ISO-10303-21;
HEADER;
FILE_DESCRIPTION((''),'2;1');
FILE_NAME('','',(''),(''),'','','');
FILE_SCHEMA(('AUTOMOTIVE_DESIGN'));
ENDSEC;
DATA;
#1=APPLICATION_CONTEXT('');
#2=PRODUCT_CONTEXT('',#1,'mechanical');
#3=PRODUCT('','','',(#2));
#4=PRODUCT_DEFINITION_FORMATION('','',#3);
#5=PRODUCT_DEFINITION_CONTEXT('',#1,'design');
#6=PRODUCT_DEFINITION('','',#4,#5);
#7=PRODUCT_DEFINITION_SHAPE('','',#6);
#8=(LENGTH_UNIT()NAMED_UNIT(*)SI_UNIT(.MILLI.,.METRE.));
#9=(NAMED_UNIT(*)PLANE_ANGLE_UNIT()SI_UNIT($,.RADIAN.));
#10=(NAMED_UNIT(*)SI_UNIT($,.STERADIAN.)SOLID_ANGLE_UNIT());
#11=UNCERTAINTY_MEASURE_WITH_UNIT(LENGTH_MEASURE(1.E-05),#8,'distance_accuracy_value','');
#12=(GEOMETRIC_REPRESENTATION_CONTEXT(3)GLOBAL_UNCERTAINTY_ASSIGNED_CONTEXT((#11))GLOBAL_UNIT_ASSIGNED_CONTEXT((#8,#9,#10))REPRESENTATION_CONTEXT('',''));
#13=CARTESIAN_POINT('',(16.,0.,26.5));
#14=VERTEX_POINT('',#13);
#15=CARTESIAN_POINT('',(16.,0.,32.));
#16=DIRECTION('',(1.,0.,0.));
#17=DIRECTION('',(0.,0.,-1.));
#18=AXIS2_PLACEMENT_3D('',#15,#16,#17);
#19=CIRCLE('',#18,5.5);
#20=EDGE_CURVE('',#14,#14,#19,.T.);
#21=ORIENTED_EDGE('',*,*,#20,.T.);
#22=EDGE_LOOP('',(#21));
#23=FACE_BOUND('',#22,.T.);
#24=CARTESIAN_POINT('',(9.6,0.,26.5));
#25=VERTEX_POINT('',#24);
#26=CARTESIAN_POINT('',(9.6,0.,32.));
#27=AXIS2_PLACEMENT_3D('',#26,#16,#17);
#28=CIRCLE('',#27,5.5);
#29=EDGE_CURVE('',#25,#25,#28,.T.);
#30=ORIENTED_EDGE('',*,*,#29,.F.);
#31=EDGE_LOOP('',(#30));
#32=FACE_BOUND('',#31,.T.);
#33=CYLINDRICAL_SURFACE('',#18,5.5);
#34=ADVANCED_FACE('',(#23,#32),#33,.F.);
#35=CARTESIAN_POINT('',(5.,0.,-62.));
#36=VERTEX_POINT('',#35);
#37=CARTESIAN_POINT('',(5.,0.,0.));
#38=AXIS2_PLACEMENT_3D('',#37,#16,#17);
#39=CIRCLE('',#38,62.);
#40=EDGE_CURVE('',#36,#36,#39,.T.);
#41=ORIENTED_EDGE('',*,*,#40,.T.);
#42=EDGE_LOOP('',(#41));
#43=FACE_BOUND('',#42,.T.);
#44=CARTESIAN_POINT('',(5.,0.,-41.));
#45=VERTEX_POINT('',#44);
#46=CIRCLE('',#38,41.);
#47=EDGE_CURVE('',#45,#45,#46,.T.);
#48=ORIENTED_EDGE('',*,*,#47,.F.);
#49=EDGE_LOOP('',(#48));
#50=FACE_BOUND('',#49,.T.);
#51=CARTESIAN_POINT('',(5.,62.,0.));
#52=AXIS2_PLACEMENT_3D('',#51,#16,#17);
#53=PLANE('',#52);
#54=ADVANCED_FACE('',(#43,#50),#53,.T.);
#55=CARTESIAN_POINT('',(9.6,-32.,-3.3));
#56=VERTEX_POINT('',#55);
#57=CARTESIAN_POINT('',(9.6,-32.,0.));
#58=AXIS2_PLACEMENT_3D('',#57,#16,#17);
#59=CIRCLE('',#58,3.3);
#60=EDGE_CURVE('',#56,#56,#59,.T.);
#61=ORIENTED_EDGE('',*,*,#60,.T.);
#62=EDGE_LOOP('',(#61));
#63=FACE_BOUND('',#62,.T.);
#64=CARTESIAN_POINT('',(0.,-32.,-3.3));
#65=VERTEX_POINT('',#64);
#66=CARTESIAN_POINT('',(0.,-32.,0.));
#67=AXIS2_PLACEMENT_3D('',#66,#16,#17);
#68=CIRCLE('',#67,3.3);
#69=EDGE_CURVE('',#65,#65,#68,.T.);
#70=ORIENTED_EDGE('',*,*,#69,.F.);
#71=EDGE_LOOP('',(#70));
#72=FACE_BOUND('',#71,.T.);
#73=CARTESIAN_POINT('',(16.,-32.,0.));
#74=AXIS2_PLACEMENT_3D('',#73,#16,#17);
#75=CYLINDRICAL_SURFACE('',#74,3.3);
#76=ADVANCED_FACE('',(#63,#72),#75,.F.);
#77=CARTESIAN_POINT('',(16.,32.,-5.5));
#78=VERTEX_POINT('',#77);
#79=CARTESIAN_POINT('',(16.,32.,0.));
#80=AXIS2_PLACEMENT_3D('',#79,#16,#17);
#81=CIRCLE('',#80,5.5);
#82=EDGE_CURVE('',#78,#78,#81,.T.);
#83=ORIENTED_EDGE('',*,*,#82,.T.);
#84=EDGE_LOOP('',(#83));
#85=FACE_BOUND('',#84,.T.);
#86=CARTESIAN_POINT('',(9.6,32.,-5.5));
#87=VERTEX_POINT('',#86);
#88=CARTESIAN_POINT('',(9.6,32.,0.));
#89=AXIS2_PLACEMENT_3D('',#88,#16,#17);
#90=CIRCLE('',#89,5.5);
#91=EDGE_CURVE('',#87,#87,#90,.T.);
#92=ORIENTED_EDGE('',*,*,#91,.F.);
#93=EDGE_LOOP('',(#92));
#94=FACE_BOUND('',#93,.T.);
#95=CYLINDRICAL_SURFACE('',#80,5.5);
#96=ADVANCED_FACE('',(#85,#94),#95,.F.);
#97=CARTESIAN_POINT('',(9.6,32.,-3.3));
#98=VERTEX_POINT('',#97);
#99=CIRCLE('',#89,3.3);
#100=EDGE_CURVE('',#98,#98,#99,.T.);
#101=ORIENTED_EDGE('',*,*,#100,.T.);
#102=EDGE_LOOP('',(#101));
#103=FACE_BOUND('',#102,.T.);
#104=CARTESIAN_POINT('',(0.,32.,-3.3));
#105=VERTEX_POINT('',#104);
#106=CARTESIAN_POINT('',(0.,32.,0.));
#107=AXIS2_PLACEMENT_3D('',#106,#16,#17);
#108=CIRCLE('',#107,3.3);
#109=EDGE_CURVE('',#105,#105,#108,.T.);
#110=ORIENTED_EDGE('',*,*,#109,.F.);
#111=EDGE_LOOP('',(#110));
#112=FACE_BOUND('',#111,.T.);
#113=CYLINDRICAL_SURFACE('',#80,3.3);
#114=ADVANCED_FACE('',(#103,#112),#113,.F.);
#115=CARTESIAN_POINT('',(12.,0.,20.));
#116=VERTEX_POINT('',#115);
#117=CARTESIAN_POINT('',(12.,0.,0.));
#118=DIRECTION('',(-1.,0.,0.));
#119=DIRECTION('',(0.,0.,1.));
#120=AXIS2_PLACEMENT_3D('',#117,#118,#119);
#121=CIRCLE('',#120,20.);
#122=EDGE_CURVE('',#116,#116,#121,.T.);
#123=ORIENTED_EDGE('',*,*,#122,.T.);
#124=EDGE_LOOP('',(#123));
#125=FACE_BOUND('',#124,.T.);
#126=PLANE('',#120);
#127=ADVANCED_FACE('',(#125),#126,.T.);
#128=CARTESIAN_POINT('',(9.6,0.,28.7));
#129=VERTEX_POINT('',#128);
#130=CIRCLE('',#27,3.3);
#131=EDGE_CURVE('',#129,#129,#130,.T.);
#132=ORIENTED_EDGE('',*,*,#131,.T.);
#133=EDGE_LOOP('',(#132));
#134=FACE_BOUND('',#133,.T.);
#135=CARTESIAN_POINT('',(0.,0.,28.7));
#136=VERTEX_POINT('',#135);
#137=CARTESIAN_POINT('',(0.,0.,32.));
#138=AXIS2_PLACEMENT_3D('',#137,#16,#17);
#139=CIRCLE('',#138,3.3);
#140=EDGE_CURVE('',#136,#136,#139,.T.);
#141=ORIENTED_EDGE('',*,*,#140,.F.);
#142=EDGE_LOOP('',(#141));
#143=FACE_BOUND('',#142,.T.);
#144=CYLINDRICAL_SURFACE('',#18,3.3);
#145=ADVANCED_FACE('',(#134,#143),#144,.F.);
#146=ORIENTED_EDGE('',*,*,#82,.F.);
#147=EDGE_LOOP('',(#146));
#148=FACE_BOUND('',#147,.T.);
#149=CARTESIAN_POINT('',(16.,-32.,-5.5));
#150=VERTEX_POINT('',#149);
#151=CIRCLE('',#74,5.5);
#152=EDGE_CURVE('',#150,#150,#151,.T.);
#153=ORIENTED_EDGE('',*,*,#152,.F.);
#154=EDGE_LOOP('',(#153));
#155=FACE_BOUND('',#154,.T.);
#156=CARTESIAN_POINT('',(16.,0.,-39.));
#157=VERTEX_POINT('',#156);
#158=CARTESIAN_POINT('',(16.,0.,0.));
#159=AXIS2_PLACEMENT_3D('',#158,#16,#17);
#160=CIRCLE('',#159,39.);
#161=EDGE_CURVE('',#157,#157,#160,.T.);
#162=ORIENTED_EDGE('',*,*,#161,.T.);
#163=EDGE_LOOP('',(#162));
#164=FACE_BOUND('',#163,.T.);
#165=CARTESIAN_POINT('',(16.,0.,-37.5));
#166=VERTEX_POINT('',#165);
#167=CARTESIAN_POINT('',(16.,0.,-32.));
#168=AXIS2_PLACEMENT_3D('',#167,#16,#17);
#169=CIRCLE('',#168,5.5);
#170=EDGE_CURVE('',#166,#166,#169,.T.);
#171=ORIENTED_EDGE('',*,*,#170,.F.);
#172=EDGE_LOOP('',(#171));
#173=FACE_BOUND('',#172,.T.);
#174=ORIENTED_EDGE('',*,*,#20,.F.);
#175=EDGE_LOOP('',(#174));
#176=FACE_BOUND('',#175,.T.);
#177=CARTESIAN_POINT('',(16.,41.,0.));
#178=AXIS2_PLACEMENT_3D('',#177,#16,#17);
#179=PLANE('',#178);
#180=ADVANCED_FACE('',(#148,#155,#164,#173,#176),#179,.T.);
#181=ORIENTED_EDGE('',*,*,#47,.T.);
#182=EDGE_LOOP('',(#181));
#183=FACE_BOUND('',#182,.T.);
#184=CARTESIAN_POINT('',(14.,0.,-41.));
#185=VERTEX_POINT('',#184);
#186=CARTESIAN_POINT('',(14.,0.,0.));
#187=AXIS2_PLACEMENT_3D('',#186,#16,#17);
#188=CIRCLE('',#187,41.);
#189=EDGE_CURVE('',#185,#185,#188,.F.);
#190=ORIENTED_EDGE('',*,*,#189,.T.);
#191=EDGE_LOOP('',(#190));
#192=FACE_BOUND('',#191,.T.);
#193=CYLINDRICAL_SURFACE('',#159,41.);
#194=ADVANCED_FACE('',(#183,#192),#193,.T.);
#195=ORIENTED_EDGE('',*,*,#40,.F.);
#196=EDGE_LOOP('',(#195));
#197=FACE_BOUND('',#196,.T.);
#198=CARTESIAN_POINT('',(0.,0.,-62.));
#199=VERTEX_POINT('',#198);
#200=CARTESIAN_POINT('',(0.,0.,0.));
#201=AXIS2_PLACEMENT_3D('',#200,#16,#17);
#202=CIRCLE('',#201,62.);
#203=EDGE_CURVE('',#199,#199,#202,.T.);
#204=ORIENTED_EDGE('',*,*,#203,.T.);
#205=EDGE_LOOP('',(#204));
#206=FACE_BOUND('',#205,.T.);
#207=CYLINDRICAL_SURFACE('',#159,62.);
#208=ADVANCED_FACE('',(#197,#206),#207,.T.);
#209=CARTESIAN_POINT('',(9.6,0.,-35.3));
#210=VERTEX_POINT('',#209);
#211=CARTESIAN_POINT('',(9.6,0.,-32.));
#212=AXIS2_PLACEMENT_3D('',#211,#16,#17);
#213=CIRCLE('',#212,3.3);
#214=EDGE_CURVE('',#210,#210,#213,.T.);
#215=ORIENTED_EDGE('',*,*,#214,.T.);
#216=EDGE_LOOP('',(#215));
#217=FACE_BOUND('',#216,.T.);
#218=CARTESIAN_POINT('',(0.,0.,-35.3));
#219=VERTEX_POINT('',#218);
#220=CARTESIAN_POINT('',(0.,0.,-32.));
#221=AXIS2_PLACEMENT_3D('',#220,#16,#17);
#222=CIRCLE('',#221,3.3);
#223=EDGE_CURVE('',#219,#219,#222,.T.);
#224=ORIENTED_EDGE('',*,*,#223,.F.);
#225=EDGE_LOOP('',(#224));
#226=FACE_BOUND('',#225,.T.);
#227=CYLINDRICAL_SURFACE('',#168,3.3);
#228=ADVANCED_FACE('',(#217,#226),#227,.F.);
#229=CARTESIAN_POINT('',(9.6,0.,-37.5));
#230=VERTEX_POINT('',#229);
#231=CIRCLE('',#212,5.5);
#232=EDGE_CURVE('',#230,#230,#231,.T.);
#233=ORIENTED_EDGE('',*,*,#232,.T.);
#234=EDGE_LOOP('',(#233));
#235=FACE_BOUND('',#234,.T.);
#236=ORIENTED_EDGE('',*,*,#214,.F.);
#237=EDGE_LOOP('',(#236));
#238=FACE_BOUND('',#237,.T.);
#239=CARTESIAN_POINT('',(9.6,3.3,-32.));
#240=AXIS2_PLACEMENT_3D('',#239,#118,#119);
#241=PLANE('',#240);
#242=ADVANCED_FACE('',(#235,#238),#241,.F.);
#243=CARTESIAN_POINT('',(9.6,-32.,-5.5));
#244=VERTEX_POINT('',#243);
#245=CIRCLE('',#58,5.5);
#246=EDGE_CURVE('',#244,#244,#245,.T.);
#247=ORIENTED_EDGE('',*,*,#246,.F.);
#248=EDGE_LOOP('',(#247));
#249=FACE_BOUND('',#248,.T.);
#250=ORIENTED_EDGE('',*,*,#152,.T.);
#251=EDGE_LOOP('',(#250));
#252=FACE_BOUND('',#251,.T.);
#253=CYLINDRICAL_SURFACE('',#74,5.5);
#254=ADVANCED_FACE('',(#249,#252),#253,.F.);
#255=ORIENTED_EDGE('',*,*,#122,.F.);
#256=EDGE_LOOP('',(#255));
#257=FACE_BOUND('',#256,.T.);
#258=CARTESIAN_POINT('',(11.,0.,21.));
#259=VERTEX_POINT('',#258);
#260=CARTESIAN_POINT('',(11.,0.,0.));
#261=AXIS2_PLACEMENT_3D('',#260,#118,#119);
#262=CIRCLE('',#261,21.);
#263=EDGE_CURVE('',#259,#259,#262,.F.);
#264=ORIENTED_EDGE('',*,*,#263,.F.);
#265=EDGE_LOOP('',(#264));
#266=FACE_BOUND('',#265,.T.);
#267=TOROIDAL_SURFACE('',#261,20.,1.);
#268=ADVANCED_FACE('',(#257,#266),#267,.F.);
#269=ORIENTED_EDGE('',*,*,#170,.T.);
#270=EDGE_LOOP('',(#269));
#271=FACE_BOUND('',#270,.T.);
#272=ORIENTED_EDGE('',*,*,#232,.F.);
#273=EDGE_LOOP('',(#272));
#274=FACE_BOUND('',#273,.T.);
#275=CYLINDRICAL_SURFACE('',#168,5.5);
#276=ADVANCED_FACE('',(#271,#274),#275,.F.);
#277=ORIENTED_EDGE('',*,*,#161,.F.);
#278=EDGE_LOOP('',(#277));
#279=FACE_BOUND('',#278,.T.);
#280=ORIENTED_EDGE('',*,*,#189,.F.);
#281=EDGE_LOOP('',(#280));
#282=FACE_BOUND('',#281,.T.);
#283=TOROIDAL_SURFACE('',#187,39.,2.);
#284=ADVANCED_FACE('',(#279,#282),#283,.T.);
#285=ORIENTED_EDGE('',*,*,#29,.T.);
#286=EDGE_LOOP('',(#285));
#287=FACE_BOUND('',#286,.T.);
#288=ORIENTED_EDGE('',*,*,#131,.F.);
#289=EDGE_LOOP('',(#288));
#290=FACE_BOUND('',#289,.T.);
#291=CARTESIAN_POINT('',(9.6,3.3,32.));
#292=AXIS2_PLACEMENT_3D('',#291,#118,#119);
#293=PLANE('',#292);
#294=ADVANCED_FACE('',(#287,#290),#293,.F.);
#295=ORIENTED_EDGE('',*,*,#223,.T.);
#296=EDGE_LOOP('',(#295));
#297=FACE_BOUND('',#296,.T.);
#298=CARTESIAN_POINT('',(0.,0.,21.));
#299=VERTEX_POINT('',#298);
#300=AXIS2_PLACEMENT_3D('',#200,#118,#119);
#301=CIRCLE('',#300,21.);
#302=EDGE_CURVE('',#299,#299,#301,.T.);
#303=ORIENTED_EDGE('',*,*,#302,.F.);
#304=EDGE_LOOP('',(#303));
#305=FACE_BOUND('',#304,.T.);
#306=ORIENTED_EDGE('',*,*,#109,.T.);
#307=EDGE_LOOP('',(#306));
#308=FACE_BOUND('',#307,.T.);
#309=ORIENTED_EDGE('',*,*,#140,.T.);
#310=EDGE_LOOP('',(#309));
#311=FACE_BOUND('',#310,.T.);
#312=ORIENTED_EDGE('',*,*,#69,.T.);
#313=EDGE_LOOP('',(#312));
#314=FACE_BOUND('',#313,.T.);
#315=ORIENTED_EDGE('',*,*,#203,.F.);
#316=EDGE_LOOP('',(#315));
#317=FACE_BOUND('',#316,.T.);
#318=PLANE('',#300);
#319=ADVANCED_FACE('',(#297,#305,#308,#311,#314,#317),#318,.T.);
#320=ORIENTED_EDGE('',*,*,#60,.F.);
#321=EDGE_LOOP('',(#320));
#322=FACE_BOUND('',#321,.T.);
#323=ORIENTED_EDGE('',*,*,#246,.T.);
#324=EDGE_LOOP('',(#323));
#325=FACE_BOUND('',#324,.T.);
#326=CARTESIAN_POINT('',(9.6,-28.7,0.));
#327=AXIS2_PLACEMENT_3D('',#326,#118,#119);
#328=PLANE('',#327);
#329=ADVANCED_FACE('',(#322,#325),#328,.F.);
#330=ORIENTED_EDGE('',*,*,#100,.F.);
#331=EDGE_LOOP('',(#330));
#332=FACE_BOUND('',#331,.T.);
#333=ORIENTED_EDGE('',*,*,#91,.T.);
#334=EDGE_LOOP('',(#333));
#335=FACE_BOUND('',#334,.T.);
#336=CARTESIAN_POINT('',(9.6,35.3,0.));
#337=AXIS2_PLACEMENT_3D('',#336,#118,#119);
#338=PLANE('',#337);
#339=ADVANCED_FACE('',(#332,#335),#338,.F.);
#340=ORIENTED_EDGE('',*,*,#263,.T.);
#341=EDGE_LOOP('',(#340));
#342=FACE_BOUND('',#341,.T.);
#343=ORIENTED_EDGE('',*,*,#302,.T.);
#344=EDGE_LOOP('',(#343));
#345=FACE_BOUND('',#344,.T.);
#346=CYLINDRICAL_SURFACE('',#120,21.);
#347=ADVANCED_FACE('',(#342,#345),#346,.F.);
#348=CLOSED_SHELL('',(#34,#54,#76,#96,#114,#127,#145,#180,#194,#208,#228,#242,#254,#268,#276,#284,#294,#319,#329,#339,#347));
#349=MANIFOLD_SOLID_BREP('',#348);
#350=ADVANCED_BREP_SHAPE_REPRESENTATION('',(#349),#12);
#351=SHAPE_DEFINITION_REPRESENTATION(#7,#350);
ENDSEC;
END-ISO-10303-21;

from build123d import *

# Parameters (mm, degrees)
SKETCH3_R                                           = 21
CUT_EXTRUDE1_DEPTH                                  = 12
FILLET1_R                                           = 1
FILLET2_R                                           = 2
CBORE_FOR_M6_HEX_SOCKET_HEAD_CAP_SCREW1_D           = 6.6
CBORE_FOR_M6_HEX_SOCKET_HEAD_CAP_SCREW1_CBORE_D     = 11
CBORE_FOR_M6_HEX_SOCKET_HEAD_CAP_SCREW1_CBORE_DEPTH = 6.4


with BuildPart() as part:
    # Sketch1 → Revolve1 (revolve)
    with BuildSketch(Plane.XY, mode=Mode.PRIVATE) as revolve1_sk:
        Polygon((0, 0), (0, 62), (5, 62), (5, 41), (16, 41), (16, 0), align=None)
    revolve(revolve1_sk.sketch.rotate(Axis((16, 0, 0), (-1, 0, 0)), 90), axis=Axis((16, 0, 0), (-1, 0, 0)))

    # Sketch3 → Cut-Extrude1 (cut)
    with BuildSketch(Plane.ZY):
        Circle(SKETCH3_R)
    extrude(amount=-CUT_EXTRUDE1_DEPTH, mode=Mode.SUBTRACT)

    # Fillet1
    fillet1_edges = [part.edges().sort_by_distance(p)[0] for p in [
        (12, 0, -21),
    ]]
    fillet(fillet1_edges, radius=FILLET1_R)

    # Fillet2
    fillet2_edges = [part.edges().sort_by_distance(p)[0] for p in [
        (16, 0, 41),
    ]]
    fillet(fillet2_edges, radius=FILLET2_R)

    # CBORE for M6 Hex Socket Head Cap Screw1 (through all)
    with Locations(Plane(origin=(16, 0, 0), x_dir=(0, 0, -1), z_dir=(1, 0, 0))):
        with Locations((0, -32), (32, 0), (0, 32), (-32, 0)):
            CounterBoreHole(CBORE_FOR_M6_HEX_SOCKET_HEAD_CAP_SCREW1_D / 2, CBORE_FOR_M6_HEX_SOCKET_HEAD_CAP_SCREW1_CBORE_D / 2, CBORE_FOR_M6_HEX_SOCKET_HEAD_CAP_SCREW1_CBORE_DEPTH)


solid = part.part
